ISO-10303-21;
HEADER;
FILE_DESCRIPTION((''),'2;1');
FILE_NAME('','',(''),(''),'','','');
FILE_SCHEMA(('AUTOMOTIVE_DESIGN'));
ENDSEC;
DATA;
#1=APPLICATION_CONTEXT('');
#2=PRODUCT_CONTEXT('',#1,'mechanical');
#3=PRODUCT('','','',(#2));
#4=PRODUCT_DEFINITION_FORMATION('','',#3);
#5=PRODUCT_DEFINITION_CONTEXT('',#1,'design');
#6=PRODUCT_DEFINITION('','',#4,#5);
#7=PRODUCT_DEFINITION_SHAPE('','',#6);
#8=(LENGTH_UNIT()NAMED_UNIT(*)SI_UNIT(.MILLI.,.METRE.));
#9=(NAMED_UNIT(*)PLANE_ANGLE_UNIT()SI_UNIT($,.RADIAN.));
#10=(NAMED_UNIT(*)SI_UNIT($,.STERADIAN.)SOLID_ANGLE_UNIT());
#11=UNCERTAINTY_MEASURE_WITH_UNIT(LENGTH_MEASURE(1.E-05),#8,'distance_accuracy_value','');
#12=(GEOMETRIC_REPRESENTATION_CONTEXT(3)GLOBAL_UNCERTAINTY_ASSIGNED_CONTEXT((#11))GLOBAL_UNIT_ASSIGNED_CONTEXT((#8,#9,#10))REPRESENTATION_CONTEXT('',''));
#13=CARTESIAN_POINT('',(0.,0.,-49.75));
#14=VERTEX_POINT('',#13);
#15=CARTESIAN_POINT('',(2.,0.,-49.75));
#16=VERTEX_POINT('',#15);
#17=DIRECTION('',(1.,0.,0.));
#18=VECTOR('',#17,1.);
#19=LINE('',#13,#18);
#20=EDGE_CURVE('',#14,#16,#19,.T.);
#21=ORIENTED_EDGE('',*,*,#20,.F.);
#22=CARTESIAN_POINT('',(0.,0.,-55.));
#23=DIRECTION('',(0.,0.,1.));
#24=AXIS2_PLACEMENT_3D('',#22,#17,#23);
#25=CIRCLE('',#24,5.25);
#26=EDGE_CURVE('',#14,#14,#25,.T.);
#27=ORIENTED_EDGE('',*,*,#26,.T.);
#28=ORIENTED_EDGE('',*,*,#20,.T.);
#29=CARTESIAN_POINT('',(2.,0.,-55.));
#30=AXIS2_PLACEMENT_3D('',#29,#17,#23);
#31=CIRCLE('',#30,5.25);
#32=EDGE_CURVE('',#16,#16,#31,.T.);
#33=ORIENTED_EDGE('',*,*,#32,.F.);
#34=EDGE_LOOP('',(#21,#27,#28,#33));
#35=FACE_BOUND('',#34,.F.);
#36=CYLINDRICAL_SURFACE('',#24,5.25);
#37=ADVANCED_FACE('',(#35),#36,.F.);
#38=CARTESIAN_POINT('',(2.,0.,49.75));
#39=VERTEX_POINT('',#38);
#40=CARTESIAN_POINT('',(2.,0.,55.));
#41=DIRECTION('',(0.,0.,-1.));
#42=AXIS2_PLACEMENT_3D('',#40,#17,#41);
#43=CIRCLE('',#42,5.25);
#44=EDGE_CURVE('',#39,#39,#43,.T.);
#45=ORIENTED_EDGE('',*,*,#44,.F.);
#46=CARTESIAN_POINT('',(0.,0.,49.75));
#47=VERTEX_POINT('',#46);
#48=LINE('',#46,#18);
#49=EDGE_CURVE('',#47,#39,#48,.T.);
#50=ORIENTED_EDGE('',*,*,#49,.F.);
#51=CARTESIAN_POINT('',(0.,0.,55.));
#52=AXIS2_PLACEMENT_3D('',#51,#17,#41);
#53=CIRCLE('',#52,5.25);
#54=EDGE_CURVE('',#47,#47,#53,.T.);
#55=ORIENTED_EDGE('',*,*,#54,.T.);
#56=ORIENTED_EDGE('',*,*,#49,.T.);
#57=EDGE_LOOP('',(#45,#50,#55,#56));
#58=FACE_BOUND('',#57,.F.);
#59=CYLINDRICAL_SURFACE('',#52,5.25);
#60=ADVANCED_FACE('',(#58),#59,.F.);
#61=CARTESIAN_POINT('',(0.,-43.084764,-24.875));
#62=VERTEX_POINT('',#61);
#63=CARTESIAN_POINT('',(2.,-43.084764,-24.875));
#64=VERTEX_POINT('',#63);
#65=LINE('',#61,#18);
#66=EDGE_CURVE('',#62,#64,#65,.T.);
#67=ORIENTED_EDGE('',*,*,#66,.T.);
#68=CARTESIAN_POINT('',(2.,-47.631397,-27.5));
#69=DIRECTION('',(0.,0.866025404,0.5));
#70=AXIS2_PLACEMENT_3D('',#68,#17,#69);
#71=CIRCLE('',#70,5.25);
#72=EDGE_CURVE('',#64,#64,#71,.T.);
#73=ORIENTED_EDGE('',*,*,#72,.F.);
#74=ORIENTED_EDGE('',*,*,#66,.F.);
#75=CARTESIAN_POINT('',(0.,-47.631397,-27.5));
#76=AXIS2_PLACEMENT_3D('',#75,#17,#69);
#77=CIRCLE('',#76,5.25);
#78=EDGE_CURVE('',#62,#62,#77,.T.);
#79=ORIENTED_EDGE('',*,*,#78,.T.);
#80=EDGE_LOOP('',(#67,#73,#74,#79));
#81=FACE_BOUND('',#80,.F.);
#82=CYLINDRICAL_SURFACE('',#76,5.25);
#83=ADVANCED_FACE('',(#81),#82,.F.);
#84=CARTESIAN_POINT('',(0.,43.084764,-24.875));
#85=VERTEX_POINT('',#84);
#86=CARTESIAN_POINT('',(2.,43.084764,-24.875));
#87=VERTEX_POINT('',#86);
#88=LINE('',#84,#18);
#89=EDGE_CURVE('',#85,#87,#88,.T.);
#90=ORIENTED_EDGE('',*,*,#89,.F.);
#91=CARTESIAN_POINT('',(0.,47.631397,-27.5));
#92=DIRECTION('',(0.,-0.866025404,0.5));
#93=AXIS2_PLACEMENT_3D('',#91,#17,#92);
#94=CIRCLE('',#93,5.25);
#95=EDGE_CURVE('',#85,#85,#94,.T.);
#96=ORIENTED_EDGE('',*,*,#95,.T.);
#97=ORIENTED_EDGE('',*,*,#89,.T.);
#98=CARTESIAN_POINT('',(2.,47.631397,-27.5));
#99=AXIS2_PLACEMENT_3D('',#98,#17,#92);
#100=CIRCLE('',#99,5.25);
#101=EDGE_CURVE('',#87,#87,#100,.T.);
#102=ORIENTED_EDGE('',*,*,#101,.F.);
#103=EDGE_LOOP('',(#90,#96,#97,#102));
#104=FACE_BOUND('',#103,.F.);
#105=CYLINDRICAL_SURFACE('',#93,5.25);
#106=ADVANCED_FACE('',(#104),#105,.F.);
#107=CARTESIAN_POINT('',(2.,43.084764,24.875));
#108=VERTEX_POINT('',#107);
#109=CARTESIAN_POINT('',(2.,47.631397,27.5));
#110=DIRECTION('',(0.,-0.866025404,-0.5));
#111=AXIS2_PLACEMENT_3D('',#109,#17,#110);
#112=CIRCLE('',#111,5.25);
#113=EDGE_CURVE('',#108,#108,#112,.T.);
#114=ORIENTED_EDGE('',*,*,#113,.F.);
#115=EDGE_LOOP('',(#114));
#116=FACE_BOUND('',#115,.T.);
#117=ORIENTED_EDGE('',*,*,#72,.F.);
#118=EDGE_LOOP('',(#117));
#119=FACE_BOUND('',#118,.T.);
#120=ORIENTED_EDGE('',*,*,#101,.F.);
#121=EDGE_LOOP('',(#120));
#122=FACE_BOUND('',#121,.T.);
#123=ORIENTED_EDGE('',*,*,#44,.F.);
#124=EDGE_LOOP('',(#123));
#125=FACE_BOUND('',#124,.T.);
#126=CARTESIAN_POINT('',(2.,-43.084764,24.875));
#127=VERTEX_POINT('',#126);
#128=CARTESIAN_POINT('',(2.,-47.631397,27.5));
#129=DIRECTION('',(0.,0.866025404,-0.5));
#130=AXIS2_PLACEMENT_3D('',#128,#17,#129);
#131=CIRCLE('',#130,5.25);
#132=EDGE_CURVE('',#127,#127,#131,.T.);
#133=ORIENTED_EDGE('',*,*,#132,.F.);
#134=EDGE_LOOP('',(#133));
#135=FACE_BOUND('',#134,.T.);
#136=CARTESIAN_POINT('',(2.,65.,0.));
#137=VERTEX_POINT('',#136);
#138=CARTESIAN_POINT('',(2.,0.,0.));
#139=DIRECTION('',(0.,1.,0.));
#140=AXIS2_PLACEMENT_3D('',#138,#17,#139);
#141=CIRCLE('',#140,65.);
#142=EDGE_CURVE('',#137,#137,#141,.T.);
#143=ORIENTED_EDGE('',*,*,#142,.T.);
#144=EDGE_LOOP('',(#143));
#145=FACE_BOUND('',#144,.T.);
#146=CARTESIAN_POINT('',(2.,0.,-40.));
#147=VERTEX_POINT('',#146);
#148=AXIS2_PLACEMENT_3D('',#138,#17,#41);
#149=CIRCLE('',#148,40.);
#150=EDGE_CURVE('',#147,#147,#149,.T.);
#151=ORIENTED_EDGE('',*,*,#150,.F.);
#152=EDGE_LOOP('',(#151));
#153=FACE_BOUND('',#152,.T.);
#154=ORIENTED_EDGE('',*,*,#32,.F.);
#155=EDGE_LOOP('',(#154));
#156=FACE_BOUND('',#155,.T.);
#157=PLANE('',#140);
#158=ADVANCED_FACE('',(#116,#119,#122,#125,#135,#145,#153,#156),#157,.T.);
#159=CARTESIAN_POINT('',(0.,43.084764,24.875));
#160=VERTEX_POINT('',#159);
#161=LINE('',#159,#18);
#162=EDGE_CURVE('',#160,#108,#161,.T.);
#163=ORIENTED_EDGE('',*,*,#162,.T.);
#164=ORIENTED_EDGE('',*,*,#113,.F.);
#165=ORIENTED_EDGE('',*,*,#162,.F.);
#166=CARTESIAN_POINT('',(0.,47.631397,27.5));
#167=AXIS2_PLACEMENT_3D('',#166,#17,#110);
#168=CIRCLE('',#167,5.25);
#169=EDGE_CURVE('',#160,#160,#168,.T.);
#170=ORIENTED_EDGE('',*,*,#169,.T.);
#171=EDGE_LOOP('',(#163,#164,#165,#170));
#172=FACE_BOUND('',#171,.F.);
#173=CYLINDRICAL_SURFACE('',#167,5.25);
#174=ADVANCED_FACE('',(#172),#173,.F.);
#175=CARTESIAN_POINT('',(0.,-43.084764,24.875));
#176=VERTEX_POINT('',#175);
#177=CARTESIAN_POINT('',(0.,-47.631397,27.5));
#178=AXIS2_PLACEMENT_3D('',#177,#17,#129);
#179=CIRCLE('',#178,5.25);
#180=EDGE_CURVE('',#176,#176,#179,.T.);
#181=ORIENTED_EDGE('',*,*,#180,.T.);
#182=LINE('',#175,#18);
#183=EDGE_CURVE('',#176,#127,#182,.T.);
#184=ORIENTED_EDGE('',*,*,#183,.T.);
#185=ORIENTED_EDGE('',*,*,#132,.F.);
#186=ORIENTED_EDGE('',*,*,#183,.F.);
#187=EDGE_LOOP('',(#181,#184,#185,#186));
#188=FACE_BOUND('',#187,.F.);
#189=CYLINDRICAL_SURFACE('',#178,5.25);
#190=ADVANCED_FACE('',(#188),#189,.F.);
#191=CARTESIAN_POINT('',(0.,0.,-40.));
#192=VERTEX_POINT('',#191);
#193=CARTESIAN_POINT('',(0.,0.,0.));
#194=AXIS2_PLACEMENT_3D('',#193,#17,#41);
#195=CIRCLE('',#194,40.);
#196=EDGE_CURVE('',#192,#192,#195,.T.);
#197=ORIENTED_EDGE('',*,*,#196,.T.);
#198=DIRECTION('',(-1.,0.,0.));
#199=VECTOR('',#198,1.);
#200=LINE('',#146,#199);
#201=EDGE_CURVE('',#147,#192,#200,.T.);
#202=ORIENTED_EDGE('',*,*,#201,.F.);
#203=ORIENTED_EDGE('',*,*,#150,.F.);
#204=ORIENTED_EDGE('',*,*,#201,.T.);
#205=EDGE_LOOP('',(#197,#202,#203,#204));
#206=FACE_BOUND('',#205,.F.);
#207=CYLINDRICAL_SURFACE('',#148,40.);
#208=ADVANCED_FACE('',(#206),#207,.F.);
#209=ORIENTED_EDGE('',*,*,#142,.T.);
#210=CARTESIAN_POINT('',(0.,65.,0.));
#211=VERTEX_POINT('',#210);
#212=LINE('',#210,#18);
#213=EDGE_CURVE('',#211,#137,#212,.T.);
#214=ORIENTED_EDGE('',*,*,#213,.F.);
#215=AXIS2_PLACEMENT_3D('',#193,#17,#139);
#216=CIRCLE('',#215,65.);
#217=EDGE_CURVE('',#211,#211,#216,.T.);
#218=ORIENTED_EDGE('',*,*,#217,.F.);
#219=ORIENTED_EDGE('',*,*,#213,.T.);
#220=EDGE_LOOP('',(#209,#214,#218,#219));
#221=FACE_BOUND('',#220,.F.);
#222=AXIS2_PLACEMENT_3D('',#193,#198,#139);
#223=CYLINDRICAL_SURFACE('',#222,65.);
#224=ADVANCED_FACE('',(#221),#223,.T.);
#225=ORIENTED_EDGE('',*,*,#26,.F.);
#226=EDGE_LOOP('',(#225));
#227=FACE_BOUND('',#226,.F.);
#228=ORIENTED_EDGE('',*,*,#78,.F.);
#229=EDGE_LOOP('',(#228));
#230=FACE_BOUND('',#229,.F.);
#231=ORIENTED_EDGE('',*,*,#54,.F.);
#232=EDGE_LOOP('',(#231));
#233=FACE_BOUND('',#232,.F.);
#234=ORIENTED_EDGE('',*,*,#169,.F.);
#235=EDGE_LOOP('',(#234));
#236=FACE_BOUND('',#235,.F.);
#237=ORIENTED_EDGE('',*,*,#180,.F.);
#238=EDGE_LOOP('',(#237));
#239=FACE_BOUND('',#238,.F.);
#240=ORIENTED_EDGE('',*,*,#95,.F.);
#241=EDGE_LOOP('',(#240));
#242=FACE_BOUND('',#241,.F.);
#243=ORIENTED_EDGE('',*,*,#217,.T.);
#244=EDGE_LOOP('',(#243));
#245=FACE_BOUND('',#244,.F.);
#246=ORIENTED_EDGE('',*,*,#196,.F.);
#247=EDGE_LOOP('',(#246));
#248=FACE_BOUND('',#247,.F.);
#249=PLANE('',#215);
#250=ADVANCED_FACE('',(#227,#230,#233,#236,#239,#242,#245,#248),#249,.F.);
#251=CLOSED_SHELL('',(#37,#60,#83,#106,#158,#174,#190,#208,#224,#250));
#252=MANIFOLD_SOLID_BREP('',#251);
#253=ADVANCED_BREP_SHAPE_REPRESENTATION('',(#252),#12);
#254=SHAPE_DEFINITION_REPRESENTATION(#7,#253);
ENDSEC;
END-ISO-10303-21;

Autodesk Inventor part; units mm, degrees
ref_plane "YZ Plane" through (0, 0, 0) normal (1, 0, 0) x (0, 1, 0)
ref_plane "XZ Plane" through (0, 0, 0) normal (0, 1, 0) x (-1, 0, 0)
ref_plane "XY Plane" through (0, 0, 0) normal (0, 0, 1) x (1, 0, 0)
sketch "Sketch1" plane through (0, 0, 0) normal (1, 0, 0) x (0, 1, 0)
  circle A0 centre (0, 0) radius 65
  dimension "d0" = 130
extrude "Extrusion1" add sketch "Sketch1" along normal blind 2
sketch "Sketch2" plane through (0, 0, 0) normal (-1, 0, 0) x (0, 0, 1)
  circle A0 centre (0, 0) radius 55
  circle A1 centre (-55, 0) radius 5.25
  dimension "d3" = 110
  dimension "d4" = 10.5
hole "Hole1" at (0, 0, -55) direction (1, 0, 0) diameter 10.5 end through all
pattern_circular "Circular Pattern1" count 6 over 360 about axis through (0, 0, 0) along (1, 0, 0) of "Hole1"
sketch "Sketch3" plane through (2, 0, 0) normal (1, 0, 0) x (0, 0, -1)
  circle A0 centre (0, 0) radius 40
  dimension "d15" = 80
extrude "Extrusion2" cut sketch "Sketch3" against normal blind 10
properties part number "08_Dem_dieu_chinh"
